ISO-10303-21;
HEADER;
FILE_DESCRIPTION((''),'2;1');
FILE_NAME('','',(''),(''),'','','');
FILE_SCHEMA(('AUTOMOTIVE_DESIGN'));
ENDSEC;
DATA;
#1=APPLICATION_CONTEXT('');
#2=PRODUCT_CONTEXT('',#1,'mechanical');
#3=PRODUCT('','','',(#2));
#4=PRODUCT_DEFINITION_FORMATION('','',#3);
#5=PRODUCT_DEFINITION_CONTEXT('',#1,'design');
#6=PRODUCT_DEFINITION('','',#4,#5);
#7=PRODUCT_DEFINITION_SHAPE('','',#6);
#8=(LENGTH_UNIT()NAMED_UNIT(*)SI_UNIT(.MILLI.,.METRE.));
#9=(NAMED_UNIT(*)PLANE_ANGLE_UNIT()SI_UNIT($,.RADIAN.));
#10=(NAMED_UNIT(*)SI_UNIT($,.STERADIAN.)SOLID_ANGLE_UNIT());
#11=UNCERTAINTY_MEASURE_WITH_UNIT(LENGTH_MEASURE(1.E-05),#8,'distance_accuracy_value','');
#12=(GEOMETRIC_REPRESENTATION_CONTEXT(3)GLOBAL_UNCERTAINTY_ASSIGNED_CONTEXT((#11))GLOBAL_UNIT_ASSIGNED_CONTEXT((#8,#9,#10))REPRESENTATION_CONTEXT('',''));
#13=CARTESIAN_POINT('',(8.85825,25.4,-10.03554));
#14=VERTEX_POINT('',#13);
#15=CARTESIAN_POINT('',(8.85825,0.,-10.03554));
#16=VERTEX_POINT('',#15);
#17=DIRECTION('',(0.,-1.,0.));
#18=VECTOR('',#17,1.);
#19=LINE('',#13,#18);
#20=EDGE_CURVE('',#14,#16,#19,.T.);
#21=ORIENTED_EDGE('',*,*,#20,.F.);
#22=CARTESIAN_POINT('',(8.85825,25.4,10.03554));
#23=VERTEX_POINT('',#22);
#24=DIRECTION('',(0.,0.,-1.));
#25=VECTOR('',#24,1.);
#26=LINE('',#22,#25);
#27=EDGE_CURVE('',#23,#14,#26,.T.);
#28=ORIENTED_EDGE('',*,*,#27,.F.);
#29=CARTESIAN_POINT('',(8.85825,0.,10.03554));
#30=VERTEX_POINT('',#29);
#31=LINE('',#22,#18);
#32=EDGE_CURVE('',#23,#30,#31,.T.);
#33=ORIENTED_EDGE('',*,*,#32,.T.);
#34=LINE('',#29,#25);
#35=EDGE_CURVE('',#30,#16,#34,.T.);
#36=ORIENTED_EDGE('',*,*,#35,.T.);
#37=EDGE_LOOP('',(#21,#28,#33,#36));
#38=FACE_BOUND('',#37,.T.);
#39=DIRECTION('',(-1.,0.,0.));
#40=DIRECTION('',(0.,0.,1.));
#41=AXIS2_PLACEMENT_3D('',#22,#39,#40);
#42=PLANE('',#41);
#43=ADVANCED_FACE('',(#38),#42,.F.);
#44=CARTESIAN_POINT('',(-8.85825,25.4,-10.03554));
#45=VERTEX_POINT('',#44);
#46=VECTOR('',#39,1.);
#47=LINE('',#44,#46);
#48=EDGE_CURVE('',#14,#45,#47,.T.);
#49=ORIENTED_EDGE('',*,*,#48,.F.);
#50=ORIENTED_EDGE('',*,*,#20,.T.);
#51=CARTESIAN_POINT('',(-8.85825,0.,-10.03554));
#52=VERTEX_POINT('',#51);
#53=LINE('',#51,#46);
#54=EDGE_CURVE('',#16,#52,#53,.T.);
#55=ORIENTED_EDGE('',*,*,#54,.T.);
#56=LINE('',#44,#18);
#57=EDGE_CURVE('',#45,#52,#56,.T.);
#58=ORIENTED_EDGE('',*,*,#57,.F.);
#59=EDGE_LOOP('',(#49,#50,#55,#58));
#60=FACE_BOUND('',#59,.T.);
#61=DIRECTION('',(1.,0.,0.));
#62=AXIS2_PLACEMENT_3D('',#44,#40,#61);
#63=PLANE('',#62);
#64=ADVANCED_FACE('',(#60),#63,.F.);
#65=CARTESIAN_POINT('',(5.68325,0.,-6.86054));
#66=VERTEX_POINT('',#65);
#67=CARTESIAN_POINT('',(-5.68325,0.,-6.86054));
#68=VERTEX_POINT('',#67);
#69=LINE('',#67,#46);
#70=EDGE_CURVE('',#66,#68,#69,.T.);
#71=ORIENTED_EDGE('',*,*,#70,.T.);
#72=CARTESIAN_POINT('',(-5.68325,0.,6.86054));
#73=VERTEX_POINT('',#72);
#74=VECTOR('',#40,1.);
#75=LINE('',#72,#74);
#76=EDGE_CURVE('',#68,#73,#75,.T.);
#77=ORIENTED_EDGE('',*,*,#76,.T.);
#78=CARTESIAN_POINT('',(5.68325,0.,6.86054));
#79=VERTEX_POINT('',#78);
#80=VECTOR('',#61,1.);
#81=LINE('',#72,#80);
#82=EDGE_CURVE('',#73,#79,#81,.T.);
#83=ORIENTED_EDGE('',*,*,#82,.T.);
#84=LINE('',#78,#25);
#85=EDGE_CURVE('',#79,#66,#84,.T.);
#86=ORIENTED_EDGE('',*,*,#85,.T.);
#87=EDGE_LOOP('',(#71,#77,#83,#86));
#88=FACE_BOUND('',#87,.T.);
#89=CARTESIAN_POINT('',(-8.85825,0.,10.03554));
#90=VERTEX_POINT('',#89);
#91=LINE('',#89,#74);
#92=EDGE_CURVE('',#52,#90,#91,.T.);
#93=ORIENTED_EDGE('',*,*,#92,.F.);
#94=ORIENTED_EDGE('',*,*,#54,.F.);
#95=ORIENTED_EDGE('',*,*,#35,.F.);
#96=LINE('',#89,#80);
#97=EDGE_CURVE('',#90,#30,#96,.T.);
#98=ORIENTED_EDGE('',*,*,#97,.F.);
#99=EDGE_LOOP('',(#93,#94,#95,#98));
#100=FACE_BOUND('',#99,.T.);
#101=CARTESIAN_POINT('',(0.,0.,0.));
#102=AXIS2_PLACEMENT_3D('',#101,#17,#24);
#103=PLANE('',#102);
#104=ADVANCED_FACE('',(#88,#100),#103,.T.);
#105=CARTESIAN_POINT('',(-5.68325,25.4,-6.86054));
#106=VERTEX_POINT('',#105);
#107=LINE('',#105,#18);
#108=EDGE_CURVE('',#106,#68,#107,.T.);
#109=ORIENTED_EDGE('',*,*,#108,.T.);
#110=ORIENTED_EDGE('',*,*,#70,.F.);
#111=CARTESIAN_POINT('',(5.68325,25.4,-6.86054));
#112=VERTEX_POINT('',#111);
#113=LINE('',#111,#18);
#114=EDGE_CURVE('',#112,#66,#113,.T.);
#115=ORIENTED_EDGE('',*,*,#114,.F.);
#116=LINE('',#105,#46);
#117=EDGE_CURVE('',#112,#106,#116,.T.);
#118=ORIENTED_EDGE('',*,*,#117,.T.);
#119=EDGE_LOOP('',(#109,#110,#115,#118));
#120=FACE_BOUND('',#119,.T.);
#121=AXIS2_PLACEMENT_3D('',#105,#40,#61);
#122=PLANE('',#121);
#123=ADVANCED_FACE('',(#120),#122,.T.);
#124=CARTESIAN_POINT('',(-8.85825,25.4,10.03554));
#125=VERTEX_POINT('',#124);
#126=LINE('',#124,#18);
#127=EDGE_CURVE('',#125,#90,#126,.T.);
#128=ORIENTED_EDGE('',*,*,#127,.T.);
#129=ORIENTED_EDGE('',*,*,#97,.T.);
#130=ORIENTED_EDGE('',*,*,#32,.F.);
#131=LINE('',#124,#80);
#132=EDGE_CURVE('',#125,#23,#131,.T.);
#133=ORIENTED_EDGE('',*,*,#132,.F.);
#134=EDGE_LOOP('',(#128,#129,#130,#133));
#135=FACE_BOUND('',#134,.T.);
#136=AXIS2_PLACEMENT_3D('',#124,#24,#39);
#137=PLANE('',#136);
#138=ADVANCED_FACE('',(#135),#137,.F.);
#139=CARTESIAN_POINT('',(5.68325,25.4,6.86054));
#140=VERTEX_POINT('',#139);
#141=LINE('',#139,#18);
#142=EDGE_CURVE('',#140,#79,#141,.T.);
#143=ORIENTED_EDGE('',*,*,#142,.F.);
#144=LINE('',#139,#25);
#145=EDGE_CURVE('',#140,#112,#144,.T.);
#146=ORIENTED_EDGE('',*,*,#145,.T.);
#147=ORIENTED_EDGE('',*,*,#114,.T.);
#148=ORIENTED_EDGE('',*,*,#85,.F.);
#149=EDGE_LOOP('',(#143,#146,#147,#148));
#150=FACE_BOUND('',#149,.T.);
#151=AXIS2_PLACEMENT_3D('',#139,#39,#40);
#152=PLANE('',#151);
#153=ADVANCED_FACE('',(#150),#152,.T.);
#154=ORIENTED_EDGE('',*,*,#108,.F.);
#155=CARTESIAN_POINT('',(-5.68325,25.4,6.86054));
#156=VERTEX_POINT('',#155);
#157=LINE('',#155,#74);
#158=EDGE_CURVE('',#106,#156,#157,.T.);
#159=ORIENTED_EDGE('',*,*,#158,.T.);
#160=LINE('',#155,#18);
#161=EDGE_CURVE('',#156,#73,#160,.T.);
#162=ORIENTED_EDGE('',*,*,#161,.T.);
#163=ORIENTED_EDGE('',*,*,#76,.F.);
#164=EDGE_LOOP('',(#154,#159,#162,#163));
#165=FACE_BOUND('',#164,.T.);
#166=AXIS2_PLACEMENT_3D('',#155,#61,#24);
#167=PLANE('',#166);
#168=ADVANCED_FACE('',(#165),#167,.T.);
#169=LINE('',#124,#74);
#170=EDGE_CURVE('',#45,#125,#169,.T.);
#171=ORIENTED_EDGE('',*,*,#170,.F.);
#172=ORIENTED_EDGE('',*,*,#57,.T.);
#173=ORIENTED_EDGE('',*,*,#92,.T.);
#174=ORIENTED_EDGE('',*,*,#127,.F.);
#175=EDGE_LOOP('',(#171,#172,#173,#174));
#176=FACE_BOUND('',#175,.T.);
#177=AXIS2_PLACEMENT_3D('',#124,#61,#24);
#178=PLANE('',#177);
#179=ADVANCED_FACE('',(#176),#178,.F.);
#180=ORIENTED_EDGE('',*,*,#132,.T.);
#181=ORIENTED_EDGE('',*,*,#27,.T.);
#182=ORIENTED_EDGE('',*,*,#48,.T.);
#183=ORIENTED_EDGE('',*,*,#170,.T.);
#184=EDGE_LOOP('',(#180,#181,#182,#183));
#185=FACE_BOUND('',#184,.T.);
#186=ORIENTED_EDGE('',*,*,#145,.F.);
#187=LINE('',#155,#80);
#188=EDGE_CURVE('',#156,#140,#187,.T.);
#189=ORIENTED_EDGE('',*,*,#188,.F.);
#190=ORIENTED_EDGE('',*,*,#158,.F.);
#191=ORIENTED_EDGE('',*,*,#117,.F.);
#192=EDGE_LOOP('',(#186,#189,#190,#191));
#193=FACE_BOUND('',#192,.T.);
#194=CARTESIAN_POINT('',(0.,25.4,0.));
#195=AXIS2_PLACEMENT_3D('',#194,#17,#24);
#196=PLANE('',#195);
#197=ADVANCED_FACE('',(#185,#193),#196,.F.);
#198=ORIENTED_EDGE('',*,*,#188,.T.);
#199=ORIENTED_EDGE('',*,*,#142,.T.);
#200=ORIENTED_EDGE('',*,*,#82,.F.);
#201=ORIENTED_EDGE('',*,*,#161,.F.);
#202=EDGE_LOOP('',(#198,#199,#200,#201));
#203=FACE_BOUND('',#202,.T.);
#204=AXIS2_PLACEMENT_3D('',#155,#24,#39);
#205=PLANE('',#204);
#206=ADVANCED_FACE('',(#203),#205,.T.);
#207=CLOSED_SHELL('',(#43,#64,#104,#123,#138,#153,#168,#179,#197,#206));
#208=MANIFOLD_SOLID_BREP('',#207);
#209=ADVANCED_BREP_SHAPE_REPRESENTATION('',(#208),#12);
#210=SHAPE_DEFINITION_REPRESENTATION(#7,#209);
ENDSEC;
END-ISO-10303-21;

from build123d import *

# Parameters (mm, degrees)
SKETCH1_W           = 17.7165
SKETCH1_H           = 20.07108
SKETCH1_W_2         = 11.3665
SKETCH1_H_2         = 13.72108
BOSS_EXTRUDE1_DEPTH = 25.4


with BuildPart() as part:
    # Sketch1 → Boss-Extrude1 (new body)
    with BuildSketch(Plane(origin=(0, 0, 0), x_dir=(1, 0, 0), z_dir=(0, 1, 0))):
        Rectangle(SKETCH1_W, SKETCH1_H)
        Rectangle(SKETCH1_W_2, SKETCH1_H_2, mode=Mode.SUBTRACT)
    extrude(amount=BOSS_EXTRUDE1_DEPTH)


solid = part.part
